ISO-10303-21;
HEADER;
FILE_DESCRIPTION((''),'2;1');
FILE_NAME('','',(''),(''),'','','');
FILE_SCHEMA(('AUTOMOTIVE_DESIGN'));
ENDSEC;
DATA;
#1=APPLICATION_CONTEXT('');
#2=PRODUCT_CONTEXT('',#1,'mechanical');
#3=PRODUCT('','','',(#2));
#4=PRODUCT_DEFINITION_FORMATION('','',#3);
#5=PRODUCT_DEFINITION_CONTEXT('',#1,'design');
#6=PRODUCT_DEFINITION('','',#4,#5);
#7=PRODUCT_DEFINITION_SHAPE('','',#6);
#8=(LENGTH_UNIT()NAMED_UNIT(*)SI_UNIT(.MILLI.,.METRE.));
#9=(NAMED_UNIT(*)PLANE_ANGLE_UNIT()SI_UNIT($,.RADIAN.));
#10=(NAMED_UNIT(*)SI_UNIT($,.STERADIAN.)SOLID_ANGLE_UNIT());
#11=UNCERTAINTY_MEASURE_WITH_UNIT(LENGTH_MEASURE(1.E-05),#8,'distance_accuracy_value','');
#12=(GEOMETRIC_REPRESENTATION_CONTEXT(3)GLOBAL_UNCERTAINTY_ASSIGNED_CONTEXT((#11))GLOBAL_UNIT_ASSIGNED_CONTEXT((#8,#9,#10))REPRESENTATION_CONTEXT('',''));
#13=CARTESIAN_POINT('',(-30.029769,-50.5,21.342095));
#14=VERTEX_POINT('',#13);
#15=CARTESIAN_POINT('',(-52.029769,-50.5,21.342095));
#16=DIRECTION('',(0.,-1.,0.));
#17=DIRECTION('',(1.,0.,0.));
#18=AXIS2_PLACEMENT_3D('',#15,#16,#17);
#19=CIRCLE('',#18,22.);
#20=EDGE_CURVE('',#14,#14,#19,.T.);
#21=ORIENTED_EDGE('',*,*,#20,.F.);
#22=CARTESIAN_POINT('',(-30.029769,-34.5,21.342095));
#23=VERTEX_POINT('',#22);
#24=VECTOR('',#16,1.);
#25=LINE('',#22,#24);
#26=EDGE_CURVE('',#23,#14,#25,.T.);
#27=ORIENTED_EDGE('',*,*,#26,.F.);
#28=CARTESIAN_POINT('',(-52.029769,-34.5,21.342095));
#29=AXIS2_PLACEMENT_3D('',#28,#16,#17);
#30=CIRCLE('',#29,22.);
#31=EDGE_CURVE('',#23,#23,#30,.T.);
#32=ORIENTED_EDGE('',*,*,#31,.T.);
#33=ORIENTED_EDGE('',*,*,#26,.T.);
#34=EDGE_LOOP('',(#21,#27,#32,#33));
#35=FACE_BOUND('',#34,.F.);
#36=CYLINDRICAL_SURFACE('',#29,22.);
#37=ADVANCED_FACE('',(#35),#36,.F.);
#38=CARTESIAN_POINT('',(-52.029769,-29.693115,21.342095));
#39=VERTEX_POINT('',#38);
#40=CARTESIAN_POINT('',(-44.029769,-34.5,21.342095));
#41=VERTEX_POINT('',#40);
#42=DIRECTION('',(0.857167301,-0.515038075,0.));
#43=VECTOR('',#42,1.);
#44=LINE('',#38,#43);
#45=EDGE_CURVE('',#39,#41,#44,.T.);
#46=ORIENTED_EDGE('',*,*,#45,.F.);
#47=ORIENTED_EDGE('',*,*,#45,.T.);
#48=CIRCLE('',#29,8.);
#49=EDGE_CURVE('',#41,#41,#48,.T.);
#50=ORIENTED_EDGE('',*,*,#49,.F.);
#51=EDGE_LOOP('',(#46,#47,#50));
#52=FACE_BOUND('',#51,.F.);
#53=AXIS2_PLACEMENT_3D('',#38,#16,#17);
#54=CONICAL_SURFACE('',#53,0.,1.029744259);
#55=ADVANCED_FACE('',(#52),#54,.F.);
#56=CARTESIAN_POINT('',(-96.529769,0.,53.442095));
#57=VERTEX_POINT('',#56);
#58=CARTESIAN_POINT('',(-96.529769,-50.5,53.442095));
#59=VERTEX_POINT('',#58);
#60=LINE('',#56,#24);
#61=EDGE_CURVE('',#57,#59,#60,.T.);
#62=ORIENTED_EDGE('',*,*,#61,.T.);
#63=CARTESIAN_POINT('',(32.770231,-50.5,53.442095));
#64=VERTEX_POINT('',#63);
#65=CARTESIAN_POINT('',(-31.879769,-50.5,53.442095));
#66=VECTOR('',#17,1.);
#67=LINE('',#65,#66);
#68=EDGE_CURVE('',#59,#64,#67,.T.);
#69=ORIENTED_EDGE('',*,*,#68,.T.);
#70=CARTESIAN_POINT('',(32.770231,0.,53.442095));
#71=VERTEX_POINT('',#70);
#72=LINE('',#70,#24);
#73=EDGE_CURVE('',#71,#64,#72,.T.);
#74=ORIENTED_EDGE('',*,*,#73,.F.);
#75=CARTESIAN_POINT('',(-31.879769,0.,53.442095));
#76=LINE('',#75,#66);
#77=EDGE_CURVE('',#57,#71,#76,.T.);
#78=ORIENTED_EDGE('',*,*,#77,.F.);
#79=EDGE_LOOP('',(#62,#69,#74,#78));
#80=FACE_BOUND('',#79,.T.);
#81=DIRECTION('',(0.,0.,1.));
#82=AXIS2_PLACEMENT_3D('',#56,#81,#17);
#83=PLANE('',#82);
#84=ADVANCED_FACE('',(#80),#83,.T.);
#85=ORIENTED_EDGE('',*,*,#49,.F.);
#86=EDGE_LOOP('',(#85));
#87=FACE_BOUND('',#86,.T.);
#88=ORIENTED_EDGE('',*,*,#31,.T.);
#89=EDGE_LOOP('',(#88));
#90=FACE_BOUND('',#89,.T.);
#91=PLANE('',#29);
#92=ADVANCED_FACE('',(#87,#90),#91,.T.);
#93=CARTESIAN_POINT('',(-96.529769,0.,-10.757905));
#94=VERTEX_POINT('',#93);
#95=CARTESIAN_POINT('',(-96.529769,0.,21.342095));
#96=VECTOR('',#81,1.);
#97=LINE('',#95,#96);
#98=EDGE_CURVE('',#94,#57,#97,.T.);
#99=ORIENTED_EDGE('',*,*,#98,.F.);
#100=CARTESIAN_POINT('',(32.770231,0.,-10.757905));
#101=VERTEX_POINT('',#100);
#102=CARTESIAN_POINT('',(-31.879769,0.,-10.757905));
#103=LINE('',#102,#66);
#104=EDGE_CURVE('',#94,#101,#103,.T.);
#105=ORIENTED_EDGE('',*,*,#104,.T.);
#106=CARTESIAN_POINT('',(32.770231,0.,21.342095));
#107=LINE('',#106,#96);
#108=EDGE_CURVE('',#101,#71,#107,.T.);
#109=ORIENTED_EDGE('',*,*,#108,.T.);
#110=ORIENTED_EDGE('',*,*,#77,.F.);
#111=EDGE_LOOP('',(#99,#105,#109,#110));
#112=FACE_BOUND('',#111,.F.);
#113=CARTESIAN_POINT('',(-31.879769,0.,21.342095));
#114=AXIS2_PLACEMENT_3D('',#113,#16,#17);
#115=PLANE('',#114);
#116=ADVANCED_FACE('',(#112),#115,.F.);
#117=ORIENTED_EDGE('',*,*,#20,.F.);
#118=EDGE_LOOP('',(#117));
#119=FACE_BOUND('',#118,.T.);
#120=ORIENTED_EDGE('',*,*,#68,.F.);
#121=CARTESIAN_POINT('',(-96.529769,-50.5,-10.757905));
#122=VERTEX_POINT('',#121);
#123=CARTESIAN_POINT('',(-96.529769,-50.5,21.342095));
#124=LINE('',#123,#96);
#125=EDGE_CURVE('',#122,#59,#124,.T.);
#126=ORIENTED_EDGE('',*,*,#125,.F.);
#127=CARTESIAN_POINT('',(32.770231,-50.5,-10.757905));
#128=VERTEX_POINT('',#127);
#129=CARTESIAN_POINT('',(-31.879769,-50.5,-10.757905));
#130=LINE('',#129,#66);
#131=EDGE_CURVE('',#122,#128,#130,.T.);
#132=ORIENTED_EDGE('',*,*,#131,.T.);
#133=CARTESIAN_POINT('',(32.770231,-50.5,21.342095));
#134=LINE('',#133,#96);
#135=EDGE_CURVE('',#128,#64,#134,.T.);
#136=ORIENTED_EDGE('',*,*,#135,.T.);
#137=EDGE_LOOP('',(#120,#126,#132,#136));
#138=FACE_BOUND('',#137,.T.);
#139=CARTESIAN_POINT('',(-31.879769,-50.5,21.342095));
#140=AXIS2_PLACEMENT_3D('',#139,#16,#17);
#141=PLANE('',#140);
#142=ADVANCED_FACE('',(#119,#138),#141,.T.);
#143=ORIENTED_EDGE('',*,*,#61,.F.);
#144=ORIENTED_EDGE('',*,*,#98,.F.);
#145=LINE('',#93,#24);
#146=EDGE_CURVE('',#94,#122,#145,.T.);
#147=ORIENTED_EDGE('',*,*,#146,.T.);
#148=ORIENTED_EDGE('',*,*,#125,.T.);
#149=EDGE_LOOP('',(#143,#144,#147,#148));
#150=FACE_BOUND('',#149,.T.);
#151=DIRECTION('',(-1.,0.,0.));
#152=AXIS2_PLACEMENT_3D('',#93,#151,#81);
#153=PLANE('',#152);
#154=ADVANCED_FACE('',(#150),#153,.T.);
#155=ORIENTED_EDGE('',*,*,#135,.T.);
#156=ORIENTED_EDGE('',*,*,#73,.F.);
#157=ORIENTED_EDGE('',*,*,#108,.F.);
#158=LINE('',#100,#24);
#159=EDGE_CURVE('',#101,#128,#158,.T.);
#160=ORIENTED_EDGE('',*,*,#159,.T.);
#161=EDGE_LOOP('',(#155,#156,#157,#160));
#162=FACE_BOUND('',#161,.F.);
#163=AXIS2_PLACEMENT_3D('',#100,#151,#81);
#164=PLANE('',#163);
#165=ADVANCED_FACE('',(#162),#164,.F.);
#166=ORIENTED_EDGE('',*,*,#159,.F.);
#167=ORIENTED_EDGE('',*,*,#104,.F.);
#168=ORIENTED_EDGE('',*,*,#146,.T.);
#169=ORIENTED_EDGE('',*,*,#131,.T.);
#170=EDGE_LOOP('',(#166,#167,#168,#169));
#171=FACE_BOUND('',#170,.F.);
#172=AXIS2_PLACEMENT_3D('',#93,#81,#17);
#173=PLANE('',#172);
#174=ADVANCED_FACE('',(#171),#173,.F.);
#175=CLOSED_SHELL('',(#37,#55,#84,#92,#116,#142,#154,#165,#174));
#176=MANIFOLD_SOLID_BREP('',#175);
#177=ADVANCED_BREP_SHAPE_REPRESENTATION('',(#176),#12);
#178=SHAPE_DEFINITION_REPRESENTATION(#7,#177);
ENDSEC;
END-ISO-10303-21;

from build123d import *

# Parameters (mm, degrees)
F0_W           = 129.3
F0_H           = 64.2
F1_DEPTH       = 50.5
F3_D           = 16
F3_DEPTH       = 16
F3_CBORE_D     = 44
F3_CBORE_DEPTH = 16
F3_TIP         = 4.8068849522


with BuildPart() as f1:
    # F0 (on Front) → F1 (new body)
    with BuildSketch(Plane.XZ):
        with Locations((-31.8797686338, 21.3420945689)):
            Rectangle(F0_W, F0_H)
    extrude(amount=F1_DEPTH)

    # F3
    with Locations(Plane.XZ.offset(50.5)):
        with Locations((-52.0297686338, 21.3420945689)):
            CounterBoreHole(F3_D / 2, F3_CBORE_D / 2, F3_CBORE_DEPTH, depth=F3_DEPTH)
            with Locations((0, 0, -(F3_DEPTH + F3_TIP / 2))):  # 118° drill point
                Cone(0, F3_D / 2, F3_TIP, mode=Mode.SUBTRACT)


solid = f1.part
